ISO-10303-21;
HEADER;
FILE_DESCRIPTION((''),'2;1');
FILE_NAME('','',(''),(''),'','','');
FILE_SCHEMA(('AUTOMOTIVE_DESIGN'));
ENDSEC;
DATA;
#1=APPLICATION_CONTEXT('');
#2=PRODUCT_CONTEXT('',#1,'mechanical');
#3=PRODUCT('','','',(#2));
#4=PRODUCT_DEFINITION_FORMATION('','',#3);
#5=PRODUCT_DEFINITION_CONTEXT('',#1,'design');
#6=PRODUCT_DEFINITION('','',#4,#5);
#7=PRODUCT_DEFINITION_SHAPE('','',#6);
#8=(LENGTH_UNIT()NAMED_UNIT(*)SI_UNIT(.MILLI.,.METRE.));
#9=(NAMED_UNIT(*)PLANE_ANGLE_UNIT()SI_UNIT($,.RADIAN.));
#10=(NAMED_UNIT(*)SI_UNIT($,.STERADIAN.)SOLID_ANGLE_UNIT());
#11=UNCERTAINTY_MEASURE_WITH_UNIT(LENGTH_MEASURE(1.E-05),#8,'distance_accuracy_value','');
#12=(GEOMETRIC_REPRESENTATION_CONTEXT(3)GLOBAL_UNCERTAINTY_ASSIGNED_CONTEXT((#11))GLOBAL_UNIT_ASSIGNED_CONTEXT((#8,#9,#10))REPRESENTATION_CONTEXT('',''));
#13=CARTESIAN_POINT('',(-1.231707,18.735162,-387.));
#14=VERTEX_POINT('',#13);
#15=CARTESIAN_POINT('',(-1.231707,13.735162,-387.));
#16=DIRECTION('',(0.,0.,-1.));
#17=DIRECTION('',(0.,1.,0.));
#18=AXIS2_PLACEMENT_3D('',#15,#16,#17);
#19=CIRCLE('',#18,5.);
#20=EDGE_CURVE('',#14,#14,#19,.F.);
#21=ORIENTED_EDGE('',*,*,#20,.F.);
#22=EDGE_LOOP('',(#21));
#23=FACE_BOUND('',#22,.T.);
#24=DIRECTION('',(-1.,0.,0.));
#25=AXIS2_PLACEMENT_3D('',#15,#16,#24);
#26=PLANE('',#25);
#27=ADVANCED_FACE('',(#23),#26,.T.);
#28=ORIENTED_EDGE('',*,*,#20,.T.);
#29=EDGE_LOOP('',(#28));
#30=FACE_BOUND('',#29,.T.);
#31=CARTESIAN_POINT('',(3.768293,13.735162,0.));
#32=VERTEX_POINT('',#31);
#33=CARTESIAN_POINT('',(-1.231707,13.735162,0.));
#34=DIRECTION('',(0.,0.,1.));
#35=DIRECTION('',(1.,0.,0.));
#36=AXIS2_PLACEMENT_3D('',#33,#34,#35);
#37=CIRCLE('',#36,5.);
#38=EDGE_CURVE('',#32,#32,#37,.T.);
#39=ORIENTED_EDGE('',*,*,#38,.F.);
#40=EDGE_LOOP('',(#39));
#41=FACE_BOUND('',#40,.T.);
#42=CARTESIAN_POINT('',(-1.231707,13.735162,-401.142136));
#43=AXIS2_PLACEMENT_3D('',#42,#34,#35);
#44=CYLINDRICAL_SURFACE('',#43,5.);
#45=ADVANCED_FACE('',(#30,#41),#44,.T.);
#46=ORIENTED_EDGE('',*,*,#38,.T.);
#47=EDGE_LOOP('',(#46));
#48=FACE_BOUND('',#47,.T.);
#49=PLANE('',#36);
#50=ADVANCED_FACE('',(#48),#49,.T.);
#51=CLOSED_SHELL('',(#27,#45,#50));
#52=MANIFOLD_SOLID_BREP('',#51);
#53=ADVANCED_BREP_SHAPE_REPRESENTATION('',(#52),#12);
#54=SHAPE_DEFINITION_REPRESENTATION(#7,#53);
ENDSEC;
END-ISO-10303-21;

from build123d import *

# Parameters (mm, degrees)
SKETCH1_R           = 5
BOSS_EXTRUDE1_DEPTH = 387


with BuildPart() as part:
    # Sketch1 → Boss-Extrude1 (new body)
    with BuildSketch(Plane.XY):
        with Locations((-1.231707317, 13.73516158)):
            Circle(SKETCH1_R)
    extrude(amount=-BOSS_EXTRUDE1_DEPTH)


solid = part.part
